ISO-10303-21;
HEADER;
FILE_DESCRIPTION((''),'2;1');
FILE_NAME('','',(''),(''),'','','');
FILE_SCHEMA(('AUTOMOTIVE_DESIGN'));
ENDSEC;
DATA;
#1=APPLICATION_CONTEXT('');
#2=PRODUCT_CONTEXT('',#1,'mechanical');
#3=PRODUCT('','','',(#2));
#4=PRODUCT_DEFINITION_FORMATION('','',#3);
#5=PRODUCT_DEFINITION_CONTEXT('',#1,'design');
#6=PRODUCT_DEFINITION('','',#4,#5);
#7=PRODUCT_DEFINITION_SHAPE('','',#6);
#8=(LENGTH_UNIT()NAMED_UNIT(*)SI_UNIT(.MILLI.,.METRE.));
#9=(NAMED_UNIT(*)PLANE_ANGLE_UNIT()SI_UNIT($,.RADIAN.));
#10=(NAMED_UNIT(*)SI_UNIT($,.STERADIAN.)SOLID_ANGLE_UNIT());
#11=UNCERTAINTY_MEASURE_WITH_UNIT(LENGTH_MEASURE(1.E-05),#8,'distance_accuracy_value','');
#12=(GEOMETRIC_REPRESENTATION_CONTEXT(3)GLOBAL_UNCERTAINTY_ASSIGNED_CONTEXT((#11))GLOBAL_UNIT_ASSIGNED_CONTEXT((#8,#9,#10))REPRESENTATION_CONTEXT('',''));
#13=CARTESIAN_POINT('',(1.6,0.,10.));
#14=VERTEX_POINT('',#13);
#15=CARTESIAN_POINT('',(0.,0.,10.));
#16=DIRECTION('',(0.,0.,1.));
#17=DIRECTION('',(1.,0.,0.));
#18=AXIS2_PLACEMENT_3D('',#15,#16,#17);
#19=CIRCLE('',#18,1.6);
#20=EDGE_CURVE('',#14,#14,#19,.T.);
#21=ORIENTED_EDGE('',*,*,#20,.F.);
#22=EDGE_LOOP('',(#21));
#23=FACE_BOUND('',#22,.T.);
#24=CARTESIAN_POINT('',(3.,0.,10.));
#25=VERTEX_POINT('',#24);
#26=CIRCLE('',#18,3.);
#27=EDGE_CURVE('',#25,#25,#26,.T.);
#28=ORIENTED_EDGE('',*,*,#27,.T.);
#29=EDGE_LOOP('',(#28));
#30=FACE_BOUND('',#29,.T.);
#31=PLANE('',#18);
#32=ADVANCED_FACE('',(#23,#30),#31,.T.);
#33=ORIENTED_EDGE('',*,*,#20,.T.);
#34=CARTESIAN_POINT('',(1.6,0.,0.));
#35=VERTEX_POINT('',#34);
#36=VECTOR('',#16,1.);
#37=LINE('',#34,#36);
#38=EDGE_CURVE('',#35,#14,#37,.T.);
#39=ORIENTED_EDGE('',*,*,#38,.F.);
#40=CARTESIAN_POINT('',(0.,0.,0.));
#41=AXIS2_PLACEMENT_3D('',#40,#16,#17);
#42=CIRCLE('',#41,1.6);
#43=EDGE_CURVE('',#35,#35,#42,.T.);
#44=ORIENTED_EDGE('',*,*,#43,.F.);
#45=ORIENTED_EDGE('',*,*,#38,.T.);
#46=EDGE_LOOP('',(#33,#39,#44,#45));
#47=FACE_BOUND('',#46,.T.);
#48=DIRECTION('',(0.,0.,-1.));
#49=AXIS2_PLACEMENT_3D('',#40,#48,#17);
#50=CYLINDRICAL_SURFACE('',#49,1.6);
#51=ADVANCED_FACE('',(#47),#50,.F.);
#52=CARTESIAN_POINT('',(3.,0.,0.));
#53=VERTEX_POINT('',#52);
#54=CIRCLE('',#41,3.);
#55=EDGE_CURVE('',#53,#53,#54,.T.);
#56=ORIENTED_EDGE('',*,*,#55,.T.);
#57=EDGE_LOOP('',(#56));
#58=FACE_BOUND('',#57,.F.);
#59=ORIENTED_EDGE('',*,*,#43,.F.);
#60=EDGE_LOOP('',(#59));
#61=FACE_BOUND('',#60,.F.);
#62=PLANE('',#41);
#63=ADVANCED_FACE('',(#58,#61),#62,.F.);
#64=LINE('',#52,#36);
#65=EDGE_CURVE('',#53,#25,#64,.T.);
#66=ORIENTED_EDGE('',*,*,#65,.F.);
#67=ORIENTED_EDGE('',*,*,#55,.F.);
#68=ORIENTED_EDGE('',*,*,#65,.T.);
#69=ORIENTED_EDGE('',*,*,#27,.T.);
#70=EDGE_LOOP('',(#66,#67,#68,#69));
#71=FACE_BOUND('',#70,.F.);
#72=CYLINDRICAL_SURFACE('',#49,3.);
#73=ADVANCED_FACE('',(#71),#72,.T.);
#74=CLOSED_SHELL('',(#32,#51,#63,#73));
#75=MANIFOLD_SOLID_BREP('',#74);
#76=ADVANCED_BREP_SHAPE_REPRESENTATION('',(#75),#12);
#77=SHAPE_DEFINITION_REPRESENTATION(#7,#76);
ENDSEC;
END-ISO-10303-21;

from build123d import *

# Parameters (mm, degrees)
SKETCH_1_R      = 3
SKETCH_1_R_2    = 1.6
EXTRUDE_1_DEPTH = 10


with BuildPart() as part:
    # ｽｹｯﾁ1 → ﾎﾞｽ - 押し出し1 (new body)
    with BuildSketch(Plane.XY):
        Circle(SKETCH_1_R)
        Circle(SKETCH_1_R_2, mode=Mode.SUBTRACT)
    extrude(amount=EXTRUDE_1_DEPTH)


solid = part.part
